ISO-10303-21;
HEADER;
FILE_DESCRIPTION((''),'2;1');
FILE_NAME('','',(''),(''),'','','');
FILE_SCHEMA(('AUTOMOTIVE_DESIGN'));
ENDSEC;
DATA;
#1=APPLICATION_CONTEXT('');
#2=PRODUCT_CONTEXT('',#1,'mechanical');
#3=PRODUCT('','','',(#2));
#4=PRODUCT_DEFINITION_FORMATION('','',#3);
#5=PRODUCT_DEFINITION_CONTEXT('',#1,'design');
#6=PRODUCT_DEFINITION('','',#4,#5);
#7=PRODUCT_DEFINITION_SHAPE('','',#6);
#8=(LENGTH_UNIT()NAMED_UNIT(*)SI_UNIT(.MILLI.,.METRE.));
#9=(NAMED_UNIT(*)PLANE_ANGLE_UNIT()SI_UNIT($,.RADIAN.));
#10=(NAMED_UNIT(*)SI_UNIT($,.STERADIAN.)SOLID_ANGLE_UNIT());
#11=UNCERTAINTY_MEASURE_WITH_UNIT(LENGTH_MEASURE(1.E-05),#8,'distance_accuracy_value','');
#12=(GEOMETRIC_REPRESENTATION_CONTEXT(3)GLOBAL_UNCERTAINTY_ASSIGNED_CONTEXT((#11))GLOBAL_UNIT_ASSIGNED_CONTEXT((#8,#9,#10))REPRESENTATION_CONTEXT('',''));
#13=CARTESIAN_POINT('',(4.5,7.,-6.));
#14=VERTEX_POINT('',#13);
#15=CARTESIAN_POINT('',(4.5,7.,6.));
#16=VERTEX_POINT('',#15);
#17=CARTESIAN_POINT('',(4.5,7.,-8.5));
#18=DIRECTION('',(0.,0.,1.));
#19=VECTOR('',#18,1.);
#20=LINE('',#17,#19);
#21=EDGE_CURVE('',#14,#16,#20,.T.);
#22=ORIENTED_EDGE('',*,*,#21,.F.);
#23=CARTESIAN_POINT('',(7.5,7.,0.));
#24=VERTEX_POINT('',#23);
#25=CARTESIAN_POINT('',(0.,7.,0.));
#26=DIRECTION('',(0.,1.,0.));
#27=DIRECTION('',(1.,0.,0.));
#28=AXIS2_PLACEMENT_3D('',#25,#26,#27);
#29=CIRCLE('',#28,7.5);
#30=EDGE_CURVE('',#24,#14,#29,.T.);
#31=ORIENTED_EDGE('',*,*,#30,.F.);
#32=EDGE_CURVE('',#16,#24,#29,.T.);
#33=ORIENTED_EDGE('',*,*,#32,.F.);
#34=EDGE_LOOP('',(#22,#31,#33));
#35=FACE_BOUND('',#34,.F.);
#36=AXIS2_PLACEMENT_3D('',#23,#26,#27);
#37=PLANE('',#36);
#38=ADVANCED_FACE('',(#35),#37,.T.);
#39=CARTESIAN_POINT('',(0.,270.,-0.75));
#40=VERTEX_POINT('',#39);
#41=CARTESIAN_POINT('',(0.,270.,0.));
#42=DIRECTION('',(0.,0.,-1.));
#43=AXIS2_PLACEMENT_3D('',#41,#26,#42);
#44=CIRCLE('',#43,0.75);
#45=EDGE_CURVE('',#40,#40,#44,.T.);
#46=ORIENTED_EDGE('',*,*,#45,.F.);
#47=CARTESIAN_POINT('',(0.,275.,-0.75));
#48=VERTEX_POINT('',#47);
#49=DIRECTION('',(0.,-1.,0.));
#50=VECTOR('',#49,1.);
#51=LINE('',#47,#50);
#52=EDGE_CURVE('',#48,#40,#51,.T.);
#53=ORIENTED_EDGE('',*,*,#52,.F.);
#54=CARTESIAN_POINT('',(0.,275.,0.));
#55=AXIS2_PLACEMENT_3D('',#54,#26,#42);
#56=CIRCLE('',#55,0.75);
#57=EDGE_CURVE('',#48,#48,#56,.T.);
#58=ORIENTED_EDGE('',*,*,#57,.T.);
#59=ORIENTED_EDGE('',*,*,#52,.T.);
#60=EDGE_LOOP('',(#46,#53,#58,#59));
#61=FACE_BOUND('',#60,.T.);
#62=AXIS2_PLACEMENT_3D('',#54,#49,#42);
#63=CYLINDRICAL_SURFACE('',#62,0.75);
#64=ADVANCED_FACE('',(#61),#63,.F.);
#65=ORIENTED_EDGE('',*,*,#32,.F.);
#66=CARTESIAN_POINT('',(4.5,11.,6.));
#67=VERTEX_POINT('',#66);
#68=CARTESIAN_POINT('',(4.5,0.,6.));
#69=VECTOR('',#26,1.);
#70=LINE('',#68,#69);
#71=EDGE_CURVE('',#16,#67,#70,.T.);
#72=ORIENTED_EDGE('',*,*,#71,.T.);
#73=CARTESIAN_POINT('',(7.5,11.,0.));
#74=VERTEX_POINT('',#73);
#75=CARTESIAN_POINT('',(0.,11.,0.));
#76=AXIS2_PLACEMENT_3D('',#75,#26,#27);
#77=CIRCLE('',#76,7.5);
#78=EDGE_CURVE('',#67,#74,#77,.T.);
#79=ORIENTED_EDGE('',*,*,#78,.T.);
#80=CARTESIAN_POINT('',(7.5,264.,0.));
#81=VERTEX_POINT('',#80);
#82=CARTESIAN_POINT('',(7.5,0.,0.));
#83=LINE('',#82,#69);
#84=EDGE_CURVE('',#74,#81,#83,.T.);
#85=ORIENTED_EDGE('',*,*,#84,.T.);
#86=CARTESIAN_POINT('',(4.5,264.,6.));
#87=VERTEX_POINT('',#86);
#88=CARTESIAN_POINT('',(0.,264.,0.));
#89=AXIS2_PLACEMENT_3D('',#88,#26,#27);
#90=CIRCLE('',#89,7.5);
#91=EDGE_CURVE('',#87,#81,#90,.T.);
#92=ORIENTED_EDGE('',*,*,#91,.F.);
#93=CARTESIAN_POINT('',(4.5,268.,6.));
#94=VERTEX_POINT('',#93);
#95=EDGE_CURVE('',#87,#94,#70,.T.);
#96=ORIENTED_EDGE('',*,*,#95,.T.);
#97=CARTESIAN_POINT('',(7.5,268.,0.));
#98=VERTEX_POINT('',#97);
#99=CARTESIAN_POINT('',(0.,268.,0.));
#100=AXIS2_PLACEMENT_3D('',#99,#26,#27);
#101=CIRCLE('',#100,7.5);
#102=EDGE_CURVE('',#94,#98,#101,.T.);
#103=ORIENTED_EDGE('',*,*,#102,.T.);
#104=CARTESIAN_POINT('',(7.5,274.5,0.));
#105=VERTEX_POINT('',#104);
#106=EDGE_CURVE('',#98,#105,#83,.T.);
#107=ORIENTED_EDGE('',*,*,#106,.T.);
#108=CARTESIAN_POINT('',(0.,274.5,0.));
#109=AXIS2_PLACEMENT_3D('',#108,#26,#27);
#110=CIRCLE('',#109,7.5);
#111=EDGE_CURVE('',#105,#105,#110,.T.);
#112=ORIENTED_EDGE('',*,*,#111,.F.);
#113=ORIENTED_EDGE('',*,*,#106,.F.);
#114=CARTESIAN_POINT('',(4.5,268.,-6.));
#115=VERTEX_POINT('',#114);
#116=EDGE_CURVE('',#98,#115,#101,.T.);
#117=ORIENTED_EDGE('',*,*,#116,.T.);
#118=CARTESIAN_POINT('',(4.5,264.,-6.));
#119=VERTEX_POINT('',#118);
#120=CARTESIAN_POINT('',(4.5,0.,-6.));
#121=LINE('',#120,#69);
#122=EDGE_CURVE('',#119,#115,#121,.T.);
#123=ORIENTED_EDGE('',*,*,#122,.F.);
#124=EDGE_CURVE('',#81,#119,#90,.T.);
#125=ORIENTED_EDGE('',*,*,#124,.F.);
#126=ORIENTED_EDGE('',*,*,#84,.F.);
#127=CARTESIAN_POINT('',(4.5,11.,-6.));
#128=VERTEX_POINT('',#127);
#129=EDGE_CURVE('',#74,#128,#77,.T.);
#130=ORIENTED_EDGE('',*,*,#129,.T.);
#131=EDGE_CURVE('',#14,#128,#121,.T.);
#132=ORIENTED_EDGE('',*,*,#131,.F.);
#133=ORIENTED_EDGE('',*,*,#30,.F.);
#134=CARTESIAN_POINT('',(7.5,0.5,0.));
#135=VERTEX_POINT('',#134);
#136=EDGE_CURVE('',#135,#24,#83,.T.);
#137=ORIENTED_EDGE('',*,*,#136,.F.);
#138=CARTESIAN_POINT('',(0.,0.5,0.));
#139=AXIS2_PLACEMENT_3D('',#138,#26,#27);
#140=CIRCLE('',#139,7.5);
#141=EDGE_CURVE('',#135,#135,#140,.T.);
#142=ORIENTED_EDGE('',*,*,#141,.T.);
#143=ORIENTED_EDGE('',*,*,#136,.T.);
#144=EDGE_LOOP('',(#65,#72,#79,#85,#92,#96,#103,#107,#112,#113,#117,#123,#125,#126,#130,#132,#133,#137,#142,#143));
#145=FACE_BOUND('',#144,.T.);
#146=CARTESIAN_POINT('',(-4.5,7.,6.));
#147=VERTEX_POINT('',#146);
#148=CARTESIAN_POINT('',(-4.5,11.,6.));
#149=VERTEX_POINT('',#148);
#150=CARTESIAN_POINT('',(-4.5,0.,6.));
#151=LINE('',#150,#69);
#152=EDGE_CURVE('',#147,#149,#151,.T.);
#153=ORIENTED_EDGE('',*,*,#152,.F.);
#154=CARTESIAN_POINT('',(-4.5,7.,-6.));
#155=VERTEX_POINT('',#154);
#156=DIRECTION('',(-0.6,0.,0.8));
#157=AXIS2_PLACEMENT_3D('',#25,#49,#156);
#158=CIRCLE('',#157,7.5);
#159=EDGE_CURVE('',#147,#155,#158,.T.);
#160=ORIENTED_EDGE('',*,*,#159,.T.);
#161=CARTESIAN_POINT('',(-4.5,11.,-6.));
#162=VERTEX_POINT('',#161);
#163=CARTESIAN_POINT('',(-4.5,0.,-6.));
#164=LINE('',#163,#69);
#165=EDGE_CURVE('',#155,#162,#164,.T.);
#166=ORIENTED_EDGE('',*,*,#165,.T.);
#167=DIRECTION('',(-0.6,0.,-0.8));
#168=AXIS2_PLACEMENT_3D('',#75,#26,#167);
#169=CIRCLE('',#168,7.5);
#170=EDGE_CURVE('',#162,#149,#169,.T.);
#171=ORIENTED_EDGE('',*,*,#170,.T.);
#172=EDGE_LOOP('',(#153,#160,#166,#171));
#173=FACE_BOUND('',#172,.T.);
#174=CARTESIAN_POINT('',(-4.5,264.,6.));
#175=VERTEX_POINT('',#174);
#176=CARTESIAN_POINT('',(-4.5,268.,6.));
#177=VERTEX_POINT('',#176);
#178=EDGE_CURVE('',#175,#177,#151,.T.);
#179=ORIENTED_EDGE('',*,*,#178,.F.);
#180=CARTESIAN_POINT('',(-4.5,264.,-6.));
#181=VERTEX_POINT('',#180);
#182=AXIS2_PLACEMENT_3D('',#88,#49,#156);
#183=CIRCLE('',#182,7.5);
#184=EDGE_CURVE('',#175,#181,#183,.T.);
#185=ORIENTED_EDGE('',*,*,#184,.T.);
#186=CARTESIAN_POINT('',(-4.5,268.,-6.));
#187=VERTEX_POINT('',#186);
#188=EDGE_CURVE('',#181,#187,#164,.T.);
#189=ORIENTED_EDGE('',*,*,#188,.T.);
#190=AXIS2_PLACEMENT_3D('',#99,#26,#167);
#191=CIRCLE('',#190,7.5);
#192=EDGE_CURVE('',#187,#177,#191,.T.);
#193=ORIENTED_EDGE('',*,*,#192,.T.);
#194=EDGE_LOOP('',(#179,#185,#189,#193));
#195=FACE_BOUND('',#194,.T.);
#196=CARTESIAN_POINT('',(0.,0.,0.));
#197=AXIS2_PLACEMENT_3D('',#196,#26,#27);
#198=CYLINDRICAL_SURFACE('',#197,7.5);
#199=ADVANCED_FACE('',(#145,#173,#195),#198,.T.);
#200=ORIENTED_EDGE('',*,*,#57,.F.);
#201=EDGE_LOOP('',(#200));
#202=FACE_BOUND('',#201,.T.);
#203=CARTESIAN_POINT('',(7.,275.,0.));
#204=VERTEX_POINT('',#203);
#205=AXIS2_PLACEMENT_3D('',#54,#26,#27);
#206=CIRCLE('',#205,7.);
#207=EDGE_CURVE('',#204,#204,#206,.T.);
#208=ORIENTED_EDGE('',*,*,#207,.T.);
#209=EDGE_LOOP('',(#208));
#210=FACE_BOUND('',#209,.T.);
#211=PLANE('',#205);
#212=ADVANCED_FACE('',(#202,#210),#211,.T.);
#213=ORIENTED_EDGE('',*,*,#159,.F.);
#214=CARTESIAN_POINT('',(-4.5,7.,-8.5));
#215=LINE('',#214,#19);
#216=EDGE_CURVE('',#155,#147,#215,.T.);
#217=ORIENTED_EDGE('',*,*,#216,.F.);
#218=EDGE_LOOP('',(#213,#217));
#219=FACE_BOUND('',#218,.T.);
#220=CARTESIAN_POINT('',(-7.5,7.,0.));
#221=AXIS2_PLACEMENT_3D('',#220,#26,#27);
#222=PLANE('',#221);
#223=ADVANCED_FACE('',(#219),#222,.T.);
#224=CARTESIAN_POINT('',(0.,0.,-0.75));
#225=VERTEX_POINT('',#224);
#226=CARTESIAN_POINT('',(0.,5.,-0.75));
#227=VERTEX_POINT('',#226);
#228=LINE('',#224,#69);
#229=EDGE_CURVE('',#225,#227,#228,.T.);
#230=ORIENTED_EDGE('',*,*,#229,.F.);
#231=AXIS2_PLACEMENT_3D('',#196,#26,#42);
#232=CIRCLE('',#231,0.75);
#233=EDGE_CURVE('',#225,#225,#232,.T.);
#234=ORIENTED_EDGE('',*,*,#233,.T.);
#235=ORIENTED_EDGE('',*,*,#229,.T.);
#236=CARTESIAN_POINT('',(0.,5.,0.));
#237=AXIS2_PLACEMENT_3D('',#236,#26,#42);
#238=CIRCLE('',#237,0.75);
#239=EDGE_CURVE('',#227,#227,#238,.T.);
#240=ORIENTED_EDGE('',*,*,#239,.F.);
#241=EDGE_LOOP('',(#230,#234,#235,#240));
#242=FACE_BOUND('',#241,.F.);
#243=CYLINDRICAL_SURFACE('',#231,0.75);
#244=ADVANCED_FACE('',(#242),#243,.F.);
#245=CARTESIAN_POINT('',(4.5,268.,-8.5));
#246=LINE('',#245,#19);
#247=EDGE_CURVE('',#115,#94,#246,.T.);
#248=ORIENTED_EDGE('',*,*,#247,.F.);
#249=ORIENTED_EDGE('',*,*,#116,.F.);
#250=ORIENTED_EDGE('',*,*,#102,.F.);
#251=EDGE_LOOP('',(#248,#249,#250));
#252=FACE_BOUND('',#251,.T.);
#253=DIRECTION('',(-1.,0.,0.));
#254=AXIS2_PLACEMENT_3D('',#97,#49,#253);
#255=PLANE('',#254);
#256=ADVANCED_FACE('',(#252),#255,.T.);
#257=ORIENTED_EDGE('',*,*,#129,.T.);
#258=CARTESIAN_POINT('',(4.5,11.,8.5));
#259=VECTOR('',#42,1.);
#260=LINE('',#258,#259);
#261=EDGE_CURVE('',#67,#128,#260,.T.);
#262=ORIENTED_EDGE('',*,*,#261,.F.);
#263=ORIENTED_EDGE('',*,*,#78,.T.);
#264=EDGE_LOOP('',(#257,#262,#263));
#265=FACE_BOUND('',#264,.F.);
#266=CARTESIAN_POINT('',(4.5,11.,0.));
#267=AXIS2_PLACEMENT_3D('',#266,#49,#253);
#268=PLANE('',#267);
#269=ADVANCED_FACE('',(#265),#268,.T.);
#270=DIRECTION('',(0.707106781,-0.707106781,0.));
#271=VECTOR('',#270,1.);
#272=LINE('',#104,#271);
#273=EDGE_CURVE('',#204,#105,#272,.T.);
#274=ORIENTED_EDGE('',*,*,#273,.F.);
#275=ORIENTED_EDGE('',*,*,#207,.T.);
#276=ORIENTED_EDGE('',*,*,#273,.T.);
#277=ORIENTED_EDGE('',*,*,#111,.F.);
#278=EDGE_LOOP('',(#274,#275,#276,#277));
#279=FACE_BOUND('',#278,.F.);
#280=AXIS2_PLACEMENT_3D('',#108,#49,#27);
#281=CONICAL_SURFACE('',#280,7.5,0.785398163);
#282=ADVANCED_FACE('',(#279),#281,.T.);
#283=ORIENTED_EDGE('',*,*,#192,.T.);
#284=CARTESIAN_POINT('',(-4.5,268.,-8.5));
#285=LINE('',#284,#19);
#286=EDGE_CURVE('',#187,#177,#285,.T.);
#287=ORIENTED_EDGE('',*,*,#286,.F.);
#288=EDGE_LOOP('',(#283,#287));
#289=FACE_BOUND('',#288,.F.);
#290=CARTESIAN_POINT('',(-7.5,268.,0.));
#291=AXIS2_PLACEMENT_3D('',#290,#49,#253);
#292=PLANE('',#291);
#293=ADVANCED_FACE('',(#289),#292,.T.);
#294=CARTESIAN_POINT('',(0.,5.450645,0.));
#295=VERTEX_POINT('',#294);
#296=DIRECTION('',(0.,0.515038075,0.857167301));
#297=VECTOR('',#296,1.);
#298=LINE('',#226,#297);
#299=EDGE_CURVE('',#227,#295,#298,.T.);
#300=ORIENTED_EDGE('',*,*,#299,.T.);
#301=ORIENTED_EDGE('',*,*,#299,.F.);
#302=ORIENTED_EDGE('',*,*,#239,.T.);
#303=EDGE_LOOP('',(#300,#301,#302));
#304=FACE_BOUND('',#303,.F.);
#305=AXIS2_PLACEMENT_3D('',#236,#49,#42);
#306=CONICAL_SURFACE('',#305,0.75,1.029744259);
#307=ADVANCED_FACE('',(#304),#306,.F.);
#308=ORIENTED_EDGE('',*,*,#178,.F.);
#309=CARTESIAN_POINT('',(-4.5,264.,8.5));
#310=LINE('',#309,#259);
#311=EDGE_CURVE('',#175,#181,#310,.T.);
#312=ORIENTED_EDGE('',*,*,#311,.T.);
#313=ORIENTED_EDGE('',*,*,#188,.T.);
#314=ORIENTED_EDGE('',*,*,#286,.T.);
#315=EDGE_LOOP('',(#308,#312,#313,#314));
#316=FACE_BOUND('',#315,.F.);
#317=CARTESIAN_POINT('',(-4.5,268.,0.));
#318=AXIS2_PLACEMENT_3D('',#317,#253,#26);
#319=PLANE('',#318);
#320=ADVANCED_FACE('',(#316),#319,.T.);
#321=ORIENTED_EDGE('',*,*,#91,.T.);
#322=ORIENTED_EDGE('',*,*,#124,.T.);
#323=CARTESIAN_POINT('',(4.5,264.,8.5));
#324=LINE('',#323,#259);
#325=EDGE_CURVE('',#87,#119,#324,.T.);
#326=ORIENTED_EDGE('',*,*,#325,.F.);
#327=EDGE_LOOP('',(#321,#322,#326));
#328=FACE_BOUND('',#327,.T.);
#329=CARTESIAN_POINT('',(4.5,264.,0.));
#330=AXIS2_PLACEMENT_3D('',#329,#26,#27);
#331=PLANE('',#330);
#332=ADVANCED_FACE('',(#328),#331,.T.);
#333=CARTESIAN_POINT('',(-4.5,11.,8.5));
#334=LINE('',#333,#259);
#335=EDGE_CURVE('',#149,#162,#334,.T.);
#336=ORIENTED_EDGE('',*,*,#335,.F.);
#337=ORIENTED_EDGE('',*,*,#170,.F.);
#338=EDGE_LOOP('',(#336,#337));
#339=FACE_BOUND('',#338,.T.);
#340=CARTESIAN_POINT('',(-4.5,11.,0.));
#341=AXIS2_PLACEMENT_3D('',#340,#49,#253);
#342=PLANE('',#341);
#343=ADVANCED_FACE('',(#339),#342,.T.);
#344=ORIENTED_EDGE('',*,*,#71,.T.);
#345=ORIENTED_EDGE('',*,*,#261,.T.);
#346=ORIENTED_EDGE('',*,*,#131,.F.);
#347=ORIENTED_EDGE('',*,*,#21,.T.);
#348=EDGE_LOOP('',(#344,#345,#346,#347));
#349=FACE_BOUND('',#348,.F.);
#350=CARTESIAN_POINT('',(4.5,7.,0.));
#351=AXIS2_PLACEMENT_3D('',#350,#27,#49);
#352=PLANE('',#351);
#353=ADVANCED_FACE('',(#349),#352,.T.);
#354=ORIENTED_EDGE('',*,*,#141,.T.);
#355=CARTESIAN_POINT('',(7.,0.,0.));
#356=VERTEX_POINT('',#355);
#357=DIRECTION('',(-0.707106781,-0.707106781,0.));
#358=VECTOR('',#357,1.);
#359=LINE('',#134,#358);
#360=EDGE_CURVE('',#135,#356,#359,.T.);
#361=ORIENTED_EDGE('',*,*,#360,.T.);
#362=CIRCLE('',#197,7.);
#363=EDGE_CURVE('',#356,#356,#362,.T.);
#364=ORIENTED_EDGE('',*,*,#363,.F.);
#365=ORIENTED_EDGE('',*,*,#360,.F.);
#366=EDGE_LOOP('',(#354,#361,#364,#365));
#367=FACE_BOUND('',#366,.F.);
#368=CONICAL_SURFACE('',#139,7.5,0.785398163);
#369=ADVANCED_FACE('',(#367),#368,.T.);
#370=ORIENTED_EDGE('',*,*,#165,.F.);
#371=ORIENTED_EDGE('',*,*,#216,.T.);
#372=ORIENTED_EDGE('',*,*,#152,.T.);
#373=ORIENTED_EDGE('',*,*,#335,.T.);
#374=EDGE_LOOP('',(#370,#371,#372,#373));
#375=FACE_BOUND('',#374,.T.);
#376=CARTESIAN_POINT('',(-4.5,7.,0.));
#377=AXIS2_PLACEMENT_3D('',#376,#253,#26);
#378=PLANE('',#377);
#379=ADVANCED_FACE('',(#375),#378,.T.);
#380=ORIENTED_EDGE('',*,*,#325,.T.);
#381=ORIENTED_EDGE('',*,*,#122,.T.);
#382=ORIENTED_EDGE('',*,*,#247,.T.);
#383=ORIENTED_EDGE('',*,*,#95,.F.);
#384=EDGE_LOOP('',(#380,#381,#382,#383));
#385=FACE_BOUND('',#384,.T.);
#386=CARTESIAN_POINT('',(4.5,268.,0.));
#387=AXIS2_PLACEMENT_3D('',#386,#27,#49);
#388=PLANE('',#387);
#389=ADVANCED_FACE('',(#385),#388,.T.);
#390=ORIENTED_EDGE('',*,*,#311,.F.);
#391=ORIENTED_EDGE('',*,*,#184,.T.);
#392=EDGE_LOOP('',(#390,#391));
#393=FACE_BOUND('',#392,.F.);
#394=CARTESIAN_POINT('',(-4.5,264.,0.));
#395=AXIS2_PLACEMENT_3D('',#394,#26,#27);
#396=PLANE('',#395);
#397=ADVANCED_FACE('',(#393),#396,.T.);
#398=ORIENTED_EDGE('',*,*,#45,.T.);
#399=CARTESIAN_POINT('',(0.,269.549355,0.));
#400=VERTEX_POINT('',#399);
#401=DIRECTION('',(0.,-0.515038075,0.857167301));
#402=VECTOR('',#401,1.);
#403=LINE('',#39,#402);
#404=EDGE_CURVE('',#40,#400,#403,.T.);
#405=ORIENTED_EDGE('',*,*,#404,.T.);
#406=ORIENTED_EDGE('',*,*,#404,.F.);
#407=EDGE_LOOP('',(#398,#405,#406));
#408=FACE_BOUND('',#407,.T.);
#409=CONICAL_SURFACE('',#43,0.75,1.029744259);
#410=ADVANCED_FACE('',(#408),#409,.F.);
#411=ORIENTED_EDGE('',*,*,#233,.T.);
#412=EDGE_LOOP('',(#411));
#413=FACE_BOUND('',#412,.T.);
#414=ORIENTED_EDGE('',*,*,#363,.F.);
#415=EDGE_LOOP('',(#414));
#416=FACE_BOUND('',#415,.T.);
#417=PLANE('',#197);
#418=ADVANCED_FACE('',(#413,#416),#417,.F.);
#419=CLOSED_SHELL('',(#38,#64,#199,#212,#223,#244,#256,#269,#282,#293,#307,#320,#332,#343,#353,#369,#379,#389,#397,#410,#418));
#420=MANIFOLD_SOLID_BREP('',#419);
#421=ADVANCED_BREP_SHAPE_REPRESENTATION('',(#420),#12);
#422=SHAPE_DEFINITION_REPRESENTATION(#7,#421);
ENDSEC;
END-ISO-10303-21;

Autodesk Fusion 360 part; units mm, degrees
sketch "Sketch1" plane through (0, 0, 0) normal (0, 0, 1) x (1, 0, 0)
  line L0 (-7.5, 0) -> (7.5, 0)
  line L1 (7.5, 0) -> (7.5, 275)
  line L2 (7.5, 275) -> (-7.5, 275)
  line L3 (-7.5, 275) -> (-7.5, 0)
  line L4 (-7.5, 7) -> (-4.5, 7)
  line L5 (-4.5, 7) -> (-4.5, 11)
  line L6 (-4.5, 11) -> (-7.5, 11)
  line L7 (0, 0) -> (0, 275)
  dimension "d1" = 15
  dimension "d2" = 275
  dimension "d3" = 7
  dimension "d4" = 4
  dimension "d5" = 3
revolve "Revolve1" add sketch "Sketch1" angle 360 about axis through (0, 0, 0) along (0, 1, 0) contours L0 L1 L2 L7
extrude "Extrude1" cut sketch "Sketch1" along normal through all and the other way through all contours L3 L4 L5 L6
mirror "Mirror1" about plane through (0, 0, 0) normal (1, 0, 0) of "Extrude1"
ref_plane "WorkPlane1" through (0, 137.5, 0) normal (0, -1, 0) x (0, 0, -1)
hole "Hole2" at (0, 0, 0) direction (0, 1, 0) diameter 1.5 depth 5 tip angle 118
mirror "Mirror2" about plane through (0, 137.5, 0) normal (0, -1, 0) of "Mirror1", "Extrude1", "Hole2"
chamfer "Chamfer1" distance 0.5 angle 45 2 edges at (-6.9925, 0, -2.7121) (-6.9925, 275, -2.7121)
